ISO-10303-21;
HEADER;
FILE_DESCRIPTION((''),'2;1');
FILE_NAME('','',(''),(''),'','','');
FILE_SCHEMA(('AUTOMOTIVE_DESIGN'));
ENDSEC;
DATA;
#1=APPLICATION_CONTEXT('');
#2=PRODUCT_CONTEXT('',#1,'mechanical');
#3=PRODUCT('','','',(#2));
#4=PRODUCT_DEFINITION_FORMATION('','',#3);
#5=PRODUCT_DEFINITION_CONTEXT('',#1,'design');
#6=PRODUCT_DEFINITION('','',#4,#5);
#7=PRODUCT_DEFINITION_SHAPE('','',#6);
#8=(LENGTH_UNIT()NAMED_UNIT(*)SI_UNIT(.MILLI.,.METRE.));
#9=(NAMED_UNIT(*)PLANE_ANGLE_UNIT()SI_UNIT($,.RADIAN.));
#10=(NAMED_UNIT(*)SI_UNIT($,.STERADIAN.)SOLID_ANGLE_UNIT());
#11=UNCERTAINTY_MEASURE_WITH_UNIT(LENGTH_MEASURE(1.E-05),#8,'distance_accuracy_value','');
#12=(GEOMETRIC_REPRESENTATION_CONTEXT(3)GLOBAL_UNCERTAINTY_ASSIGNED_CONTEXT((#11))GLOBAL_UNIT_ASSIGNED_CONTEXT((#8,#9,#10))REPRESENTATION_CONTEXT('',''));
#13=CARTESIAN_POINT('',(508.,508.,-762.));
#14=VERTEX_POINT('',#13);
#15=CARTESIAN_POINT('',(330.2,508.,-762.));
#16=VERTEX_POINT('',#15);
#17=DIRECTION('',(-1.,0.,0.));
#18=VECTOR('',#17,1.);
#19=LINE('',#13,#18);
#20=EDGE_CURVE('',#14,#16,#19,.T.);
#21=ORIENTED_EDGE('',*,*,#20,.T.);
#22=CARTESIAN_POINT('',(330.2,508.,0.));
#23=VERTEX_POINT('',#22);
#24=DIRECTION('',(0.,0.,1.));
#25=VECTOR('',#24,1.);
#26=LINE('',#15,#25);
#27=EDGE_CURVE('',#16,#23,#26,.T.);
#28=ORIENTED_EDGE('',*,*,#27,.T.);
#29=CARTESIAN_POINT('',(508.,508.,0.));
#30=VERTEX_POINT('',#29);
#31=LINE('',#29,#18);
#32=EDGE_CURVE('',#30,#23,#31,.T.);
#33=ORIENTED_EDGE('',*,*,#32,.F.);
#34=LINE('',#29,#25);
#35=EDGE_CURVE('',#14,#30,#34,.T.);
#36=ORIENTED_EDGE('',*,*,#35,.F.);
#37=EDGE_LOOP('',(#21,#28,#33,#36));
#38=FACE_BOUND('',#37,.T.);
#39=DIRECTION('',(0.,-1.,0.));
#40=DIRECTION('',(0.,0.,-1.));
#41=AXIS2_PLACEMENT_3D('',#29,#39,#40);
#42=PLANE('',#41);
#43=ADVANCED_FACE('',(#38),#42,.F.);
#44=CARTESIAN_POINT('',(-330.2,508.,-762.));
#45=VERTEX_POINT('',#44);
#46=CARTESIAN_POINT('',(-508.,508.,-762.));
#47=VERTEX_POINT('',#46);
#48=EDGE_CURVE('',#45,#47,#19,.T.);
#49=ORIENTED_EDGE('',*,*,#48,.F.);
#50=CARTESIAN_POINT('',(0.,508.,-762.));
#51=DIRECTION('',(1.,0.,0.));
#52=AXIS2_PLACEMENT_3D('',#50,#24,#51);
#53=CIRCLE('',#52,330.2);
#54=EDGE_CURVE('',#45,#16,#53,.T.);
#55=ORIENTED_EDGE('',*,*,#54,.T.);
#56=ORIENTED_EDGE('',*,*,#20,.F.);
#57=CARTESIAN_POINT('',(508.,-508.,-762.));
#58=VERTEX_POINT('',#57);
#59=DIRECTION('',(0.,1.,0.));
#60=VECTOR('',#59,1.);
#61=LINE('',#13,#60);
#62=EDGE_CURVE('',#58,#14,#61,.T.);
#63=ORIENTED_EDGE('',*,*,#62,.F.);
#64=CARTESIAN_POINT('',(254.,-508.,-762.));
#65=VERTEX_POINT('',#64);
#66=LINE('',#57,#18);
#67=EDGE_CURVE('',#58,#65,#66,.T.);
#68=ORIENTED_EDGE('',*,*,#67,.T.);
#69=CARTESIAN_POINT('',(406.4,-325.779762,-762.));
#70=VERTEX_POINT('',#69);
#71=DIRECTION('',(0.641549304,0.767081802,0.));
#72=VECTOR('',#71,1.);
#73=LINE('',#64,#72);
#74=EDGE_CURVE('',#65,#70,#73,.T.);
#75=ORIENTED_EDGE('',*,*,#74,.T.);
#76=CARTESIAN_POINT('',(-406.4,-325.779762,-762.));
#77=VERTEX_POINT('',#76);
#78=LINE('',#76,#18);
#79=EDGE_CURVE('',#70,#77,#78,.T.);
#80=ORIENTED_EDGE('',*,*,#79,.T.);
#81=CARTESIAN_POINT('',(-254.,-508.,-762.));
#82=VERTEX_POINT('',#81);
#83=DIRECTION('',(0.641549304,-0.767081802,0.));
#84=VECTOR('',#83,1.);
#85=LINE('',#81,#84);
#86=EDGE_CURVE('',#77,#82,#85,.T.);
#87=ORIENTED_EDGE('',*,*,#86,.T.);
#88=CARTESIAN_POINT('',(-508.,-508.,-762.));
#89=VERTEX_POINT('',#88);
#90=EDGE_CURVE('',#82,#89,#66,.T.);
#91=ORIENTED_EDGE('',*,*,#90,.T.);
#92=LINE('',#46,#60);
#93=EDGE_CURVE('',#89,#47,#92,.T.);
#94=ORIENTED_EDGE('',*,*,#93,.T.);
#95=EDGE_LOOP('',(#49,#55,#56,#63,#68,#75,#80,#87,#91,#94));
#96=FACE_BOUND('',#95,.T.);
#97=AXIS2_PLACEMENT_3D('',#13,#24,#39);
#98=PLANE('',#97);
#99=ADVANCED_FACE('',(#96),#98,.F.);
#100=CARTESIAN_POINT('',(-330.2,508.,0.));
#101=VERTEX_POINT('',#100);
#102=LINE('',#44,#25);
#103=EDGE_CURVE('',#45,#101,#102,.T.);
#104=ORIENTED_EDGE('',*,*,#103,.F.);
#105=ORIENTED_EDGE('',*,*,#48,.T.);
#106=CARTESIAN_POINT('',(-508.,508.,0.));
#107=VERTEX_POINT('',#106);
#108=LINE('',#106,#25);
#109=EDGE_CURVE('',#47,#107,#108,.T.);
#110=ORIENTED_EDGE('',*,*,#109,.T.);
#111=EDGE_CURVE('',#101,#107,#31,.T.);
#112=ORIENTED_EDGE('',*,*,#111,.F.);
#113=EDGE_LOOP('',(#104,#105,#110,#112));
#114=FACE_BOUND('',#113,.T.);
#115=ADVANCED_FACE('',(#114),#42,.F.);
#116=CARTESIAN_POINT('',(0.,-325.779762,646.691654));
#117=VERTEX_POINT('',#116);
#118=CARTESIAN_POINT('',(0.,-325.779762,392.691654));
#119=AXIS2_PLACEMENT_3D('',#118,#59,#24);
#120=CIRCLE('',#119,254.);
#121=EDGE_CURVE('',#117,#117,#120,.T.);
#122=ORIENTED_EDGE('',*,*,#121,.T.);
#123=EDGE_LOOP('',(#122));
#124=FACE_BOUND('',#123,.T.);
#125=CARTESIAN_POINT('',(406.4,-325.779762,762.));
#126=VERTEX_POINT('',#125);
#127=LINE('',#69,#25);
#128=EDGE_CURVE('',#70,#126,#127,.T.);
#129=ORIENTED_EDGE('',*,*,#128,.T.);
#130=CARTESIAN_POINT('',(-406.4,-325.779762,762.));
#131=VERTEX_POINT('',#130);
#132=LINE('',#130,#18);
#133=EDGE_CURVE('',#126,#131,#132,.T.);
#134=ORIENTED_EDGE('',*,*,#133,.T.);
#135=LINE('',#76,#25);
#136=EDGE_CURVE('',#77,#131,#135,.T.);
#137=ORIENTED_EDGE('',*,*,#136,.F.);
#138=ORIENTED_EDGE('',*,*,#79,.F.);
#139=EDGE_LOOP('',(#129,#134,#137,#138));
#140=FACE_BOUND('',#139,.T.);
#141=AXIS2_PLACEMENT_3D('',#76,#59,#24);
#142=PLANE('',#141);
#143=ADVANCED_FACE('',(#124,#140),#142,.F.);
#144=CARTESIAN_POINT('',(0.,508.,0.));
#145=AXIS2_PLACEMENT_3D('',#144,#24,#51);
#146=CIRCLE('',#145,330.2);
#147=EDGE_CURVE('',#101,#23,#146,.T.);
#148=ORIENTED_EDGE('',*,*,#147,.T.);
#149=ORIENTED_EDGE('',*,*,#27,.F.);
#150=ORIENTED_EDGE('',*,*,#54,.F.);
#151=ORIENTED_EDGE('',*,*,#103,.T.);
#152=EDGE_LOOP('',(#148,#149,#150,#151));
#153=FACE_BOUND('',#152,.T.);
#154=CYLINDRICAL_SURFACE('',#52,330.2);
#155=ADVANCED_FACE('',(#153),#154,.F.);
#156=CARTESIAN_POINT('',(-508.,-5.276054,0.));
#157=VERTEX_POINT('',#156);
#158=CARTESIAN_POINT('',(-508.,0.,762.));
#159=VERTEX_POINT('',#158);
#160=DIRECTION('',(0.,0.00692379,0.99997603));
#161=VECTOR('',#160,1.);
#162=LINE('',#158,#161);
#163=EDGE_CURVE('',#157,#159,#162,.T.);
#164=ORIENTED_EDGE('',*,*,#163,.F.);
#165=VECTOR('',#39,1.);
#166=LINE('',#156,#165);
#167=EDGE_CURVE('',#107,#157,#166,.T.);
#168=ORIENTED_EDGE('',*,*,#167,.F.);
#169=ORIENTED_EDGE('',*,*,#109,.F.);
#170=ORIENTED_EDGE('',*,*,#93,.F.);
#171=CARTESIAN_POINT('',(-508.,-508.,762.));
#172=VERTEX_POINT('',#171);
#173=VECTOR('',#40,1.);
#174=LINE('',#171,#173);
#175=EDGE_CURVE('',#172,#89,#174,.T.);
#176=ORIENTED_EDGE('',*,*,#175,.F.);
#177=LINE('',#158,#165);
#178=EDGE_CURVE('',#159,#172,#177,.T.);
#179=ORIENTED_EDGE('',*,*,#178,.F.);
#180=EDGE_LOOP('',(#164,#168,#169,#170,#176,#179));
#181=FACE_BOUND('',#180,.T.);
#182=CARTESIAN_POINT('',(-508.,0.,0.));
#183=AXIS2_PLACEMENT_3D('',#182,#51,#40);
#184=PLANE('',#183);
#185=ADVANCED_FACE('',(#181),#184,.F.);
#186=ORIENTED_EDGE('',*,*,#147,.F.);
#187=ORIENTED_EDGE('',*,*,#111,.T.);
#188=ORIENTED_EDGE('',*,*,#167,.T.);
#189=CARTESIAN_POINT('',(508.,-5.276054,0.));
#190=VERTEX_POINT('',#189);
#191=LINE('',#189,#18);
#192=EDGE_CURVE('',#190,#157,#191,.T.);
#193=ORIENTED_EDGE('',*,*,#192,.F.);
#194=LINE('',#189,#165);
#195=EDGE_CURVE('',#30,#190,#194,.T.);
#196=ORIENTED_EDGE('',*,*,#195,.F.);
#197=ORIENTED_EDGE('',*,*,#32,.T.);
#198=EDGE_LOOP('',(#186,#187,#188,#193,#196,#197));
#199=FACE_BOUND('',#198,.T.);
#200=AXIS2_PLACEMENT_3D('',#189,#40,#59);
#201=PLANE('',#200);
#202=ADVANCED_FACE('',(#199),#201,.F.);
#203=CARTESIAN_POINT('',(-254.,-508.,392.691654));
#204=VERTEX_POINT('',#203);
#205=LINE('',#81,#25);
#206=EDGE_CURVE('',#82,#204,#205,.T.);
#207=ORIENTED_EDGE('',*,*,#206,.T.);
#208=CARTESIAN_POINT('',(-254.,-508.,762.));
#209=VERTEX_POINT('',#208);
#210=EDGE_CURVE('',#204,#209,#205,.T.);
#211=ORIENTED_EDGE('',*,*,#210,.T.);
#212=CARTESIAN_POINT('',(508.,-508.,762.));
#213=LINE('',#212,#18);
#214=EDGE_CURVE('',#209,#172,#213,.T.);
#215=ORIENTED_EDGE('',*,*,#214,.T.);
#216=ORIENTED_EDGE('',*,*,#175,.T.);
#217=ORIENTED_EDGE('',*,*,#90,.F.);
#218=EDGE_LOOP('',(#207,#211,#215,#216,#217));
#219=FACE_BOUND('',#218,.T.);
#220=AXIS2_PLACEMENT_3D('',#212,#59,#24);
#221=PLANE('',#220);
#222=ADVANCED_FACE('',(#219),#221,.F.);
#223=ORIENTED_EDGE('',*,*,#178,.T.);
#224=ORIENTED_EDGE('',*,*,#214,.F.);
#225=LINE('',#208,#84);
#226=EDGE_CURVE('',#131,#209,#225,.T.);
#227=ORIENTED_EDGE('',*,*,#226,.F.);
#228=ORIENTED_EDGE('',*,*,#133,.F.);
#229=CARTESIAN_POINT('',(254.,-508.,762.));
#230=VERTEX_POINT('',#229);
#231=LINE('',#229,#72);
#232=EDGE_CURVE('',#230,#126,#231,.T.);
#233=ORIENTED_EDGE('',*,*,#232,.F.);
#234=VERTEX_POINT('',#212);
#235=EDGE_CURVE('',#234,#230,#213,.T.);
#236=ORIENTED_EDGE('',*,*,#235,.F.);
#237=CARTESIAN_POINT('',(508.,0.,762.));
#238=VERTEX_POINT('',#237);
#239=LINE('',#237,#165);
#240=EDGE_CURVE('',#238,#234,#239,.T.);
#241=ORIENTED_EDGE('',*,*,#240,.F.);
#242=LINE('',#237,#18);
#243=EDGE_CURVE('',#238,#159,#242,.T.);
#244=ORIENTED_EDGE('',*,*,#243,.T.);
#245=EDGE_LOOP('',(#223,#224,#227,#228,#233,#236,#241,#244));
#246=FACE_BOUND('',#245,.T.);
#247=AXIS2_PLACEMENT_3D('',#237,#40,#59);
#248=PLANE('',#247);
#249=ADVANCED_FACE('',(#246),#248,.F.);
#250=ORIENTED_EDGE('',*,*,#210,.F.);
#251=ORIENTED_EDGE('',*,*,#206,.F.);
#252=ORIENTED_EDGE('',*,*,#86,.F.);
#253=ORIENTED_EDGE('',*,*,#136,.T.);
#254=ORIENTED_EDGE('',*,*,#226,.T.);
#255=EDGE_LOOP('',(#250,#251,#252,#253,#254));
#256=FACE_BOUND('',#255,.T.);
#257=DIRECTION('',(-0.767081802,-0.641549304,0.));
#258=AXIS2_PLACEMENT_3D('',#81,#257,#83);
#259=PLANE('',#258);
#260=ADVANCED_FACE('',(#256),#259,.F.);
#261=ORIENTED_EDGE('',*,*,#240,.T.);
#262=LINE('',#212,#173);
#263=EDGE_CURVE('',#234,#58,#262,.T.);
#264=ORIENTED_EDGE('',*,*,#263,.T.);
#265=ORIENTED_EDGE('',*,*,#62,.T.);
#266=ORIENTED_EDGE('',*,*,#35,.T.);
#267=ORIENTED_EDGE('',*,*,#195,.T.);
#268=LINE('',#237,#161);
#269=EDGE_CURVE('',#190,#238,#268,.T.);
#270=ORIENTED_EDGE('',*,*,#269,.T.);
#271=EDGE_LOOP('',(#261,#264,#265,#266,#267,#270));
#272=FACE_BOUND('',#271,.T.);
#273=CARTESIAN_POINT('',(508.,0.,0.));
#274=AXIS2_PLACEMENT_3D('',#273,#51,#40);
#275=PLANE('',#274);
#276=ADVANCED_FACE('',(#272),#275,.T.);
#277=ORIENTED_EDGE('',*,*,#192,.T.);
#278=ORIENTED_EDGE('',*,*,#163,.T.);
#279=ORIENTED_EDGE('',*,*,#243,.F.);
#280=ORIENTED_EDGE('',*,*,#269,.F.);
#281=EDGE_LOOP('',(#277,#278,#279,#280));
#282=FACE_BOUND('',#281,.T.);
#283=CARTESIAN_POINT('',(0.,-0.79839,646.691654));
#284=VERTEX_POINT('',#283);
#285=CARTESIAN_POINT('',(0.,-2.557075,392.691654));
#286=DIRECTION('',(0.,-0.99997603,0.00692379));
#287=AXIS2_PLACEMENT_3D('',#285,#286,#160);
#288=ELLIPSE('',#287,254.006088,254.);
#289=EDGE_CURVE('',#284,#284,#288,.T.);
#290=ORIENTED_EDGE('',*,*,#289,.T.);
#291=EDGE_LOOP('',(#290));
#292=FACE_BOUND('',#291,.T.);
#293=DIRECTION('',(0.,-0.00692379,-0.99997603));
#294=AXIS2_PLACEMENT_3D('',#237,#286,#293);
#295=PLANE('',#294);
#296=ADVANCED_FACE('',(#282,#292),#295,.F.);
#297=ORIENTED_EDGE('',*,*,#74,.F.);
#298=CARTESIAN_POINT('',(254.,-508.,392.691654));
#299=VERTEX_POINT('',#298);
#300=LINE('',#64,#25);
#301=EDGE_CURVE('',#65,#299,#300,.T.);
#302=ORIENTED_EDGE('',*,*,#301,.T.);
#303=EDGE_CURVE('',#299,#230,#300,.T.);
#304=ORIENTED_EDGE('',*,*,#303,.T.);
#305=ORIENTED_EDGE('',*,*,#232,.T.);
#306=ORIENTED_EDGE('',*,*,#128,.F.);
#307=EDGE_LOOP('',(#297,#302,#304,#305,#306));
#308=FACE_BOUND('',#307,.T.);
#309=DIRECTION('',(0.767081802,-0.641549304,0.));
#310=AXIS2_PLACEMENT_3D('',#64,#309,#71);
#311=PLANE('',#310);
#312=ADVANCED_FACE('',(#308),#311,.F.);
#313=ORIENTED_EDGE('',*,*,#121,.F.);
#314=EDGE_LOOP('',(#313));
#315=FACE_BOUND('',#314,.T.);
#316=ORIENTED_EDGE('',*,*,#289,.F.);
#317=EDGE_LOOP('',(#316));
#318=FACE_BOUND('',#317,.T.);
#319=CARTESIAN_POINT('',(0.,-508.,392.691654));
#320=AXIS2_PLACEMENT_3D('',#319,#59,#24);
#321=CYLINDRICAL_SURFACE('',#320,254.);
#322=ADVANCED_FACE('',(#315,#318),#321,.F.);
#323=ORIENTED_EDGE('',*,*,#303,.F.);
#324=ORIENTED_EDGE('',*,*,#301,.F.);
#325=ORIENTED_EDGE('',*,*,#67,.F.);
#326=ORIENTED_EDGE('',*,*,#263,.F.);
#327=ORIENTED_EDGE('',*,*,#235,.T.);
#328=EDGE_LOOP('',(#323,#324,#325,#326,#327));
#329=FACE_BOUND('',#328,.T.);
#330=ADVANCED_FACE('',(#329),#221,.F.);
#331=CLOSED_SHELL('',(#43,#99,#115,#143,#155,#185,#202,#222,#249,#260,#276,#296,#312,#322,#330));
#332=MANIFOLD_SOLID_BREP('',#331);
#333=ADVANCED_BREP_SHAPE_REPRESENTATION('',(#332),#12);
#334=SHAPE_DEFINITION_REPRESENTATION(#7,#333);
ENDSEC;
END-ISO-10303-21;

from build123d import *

# Parameters (mm, degrees)
EXTRUDE_1_DEPTH          = 508
CUT_EXTRUDE_1_DEPTH      = 1048.268828907
CUT_EXTRUDE_1_DEPTH_BACK = 1048.268828907
CUT_EXTRUDE_2_DEPTH      = 1048.268828907
CUT_EXTRUDE_2_DEPTH_BACK = 1048.268828907
CUT_EXTRUDE_3_DEPTH      = 1048.268828907
CUT_EXTRUDE_3_DEPTH_BACK = 1048.268828907
SKETCH_5_R               = 254


with BuildPart() as part:
    # 草图2 → 凸台-拉伸1 (new, symmetric)
    with BuildSketch(Plane(origin=(0, 0, 0), x_dir=(0, 0, -1), z_dir=(1, 0, 0))):
        Polygon((0, 508), (762, 508), (762, -508), (-762, -508), (-762, 0), (0, -5.276054191), align=None)
    extrude(amount=EXTRUDE_1_DEPTH, both=True)

    # 草图3 → 切除-拉伸1 (cut, two sides: drawn at the far end of the back side and taken through both)
    with BuildSketch(Plane.XY.offset(-CUT_EXTRUDE_1_DEPTH_BACK)):
        with BuildLine():
            Line((-330.2, 508), (330.2, 508))
            ThreePointArc((330.2, 508), (0, 177.8), (-330.2, 508))
        make_face()
    extrude(amount=CUT_EXTRUDE_1_DEPTH + CUT_EXTRUDE_1_DEPTH_BACK, mode=Mode.SUBTRACT)

    # 草图4 → 切除-拉伸2 (cut, two sides: drawn at the far end of the back side and taken through both)
    with BuildSketch(Plane.XY.offset(-CUT_EXTRUDE_2_DEPTH_BACK)):
        Polygon((-406.4, -325.779762396), (406.4, -325.779762396), (254, -508), (-254, -508), align=None)
    extrude(amount=CUT_EXTRUDE_2_DEPTH + CUT_EXTRUDE_2_DEPTH_BACK, mode=Mode.SUBTRACT)

    # 草图5 → 切除-拉伸3 (cut, two sides: drawn at the far end of the back side and taken through both)
    with BuildSketch(Plane(origin=(0, 0, 0), x_dir=(1, 0, 0), z_dir=(0, 1, 0)).offset(-CUT_EXTRUDE_3_DEPTH_BACK)):
        with Locations(Location((0, -392.691654486, 0), (0, 0, 270))):
            Circle(SKETCH_5_R)
    extrude(amount=CUT_EXTRUDE_3_DEPTH + CUT_EXTRUDE_3_DEPTH_BACK, mode=Mode.SUBTRACT)


solid = part.part
